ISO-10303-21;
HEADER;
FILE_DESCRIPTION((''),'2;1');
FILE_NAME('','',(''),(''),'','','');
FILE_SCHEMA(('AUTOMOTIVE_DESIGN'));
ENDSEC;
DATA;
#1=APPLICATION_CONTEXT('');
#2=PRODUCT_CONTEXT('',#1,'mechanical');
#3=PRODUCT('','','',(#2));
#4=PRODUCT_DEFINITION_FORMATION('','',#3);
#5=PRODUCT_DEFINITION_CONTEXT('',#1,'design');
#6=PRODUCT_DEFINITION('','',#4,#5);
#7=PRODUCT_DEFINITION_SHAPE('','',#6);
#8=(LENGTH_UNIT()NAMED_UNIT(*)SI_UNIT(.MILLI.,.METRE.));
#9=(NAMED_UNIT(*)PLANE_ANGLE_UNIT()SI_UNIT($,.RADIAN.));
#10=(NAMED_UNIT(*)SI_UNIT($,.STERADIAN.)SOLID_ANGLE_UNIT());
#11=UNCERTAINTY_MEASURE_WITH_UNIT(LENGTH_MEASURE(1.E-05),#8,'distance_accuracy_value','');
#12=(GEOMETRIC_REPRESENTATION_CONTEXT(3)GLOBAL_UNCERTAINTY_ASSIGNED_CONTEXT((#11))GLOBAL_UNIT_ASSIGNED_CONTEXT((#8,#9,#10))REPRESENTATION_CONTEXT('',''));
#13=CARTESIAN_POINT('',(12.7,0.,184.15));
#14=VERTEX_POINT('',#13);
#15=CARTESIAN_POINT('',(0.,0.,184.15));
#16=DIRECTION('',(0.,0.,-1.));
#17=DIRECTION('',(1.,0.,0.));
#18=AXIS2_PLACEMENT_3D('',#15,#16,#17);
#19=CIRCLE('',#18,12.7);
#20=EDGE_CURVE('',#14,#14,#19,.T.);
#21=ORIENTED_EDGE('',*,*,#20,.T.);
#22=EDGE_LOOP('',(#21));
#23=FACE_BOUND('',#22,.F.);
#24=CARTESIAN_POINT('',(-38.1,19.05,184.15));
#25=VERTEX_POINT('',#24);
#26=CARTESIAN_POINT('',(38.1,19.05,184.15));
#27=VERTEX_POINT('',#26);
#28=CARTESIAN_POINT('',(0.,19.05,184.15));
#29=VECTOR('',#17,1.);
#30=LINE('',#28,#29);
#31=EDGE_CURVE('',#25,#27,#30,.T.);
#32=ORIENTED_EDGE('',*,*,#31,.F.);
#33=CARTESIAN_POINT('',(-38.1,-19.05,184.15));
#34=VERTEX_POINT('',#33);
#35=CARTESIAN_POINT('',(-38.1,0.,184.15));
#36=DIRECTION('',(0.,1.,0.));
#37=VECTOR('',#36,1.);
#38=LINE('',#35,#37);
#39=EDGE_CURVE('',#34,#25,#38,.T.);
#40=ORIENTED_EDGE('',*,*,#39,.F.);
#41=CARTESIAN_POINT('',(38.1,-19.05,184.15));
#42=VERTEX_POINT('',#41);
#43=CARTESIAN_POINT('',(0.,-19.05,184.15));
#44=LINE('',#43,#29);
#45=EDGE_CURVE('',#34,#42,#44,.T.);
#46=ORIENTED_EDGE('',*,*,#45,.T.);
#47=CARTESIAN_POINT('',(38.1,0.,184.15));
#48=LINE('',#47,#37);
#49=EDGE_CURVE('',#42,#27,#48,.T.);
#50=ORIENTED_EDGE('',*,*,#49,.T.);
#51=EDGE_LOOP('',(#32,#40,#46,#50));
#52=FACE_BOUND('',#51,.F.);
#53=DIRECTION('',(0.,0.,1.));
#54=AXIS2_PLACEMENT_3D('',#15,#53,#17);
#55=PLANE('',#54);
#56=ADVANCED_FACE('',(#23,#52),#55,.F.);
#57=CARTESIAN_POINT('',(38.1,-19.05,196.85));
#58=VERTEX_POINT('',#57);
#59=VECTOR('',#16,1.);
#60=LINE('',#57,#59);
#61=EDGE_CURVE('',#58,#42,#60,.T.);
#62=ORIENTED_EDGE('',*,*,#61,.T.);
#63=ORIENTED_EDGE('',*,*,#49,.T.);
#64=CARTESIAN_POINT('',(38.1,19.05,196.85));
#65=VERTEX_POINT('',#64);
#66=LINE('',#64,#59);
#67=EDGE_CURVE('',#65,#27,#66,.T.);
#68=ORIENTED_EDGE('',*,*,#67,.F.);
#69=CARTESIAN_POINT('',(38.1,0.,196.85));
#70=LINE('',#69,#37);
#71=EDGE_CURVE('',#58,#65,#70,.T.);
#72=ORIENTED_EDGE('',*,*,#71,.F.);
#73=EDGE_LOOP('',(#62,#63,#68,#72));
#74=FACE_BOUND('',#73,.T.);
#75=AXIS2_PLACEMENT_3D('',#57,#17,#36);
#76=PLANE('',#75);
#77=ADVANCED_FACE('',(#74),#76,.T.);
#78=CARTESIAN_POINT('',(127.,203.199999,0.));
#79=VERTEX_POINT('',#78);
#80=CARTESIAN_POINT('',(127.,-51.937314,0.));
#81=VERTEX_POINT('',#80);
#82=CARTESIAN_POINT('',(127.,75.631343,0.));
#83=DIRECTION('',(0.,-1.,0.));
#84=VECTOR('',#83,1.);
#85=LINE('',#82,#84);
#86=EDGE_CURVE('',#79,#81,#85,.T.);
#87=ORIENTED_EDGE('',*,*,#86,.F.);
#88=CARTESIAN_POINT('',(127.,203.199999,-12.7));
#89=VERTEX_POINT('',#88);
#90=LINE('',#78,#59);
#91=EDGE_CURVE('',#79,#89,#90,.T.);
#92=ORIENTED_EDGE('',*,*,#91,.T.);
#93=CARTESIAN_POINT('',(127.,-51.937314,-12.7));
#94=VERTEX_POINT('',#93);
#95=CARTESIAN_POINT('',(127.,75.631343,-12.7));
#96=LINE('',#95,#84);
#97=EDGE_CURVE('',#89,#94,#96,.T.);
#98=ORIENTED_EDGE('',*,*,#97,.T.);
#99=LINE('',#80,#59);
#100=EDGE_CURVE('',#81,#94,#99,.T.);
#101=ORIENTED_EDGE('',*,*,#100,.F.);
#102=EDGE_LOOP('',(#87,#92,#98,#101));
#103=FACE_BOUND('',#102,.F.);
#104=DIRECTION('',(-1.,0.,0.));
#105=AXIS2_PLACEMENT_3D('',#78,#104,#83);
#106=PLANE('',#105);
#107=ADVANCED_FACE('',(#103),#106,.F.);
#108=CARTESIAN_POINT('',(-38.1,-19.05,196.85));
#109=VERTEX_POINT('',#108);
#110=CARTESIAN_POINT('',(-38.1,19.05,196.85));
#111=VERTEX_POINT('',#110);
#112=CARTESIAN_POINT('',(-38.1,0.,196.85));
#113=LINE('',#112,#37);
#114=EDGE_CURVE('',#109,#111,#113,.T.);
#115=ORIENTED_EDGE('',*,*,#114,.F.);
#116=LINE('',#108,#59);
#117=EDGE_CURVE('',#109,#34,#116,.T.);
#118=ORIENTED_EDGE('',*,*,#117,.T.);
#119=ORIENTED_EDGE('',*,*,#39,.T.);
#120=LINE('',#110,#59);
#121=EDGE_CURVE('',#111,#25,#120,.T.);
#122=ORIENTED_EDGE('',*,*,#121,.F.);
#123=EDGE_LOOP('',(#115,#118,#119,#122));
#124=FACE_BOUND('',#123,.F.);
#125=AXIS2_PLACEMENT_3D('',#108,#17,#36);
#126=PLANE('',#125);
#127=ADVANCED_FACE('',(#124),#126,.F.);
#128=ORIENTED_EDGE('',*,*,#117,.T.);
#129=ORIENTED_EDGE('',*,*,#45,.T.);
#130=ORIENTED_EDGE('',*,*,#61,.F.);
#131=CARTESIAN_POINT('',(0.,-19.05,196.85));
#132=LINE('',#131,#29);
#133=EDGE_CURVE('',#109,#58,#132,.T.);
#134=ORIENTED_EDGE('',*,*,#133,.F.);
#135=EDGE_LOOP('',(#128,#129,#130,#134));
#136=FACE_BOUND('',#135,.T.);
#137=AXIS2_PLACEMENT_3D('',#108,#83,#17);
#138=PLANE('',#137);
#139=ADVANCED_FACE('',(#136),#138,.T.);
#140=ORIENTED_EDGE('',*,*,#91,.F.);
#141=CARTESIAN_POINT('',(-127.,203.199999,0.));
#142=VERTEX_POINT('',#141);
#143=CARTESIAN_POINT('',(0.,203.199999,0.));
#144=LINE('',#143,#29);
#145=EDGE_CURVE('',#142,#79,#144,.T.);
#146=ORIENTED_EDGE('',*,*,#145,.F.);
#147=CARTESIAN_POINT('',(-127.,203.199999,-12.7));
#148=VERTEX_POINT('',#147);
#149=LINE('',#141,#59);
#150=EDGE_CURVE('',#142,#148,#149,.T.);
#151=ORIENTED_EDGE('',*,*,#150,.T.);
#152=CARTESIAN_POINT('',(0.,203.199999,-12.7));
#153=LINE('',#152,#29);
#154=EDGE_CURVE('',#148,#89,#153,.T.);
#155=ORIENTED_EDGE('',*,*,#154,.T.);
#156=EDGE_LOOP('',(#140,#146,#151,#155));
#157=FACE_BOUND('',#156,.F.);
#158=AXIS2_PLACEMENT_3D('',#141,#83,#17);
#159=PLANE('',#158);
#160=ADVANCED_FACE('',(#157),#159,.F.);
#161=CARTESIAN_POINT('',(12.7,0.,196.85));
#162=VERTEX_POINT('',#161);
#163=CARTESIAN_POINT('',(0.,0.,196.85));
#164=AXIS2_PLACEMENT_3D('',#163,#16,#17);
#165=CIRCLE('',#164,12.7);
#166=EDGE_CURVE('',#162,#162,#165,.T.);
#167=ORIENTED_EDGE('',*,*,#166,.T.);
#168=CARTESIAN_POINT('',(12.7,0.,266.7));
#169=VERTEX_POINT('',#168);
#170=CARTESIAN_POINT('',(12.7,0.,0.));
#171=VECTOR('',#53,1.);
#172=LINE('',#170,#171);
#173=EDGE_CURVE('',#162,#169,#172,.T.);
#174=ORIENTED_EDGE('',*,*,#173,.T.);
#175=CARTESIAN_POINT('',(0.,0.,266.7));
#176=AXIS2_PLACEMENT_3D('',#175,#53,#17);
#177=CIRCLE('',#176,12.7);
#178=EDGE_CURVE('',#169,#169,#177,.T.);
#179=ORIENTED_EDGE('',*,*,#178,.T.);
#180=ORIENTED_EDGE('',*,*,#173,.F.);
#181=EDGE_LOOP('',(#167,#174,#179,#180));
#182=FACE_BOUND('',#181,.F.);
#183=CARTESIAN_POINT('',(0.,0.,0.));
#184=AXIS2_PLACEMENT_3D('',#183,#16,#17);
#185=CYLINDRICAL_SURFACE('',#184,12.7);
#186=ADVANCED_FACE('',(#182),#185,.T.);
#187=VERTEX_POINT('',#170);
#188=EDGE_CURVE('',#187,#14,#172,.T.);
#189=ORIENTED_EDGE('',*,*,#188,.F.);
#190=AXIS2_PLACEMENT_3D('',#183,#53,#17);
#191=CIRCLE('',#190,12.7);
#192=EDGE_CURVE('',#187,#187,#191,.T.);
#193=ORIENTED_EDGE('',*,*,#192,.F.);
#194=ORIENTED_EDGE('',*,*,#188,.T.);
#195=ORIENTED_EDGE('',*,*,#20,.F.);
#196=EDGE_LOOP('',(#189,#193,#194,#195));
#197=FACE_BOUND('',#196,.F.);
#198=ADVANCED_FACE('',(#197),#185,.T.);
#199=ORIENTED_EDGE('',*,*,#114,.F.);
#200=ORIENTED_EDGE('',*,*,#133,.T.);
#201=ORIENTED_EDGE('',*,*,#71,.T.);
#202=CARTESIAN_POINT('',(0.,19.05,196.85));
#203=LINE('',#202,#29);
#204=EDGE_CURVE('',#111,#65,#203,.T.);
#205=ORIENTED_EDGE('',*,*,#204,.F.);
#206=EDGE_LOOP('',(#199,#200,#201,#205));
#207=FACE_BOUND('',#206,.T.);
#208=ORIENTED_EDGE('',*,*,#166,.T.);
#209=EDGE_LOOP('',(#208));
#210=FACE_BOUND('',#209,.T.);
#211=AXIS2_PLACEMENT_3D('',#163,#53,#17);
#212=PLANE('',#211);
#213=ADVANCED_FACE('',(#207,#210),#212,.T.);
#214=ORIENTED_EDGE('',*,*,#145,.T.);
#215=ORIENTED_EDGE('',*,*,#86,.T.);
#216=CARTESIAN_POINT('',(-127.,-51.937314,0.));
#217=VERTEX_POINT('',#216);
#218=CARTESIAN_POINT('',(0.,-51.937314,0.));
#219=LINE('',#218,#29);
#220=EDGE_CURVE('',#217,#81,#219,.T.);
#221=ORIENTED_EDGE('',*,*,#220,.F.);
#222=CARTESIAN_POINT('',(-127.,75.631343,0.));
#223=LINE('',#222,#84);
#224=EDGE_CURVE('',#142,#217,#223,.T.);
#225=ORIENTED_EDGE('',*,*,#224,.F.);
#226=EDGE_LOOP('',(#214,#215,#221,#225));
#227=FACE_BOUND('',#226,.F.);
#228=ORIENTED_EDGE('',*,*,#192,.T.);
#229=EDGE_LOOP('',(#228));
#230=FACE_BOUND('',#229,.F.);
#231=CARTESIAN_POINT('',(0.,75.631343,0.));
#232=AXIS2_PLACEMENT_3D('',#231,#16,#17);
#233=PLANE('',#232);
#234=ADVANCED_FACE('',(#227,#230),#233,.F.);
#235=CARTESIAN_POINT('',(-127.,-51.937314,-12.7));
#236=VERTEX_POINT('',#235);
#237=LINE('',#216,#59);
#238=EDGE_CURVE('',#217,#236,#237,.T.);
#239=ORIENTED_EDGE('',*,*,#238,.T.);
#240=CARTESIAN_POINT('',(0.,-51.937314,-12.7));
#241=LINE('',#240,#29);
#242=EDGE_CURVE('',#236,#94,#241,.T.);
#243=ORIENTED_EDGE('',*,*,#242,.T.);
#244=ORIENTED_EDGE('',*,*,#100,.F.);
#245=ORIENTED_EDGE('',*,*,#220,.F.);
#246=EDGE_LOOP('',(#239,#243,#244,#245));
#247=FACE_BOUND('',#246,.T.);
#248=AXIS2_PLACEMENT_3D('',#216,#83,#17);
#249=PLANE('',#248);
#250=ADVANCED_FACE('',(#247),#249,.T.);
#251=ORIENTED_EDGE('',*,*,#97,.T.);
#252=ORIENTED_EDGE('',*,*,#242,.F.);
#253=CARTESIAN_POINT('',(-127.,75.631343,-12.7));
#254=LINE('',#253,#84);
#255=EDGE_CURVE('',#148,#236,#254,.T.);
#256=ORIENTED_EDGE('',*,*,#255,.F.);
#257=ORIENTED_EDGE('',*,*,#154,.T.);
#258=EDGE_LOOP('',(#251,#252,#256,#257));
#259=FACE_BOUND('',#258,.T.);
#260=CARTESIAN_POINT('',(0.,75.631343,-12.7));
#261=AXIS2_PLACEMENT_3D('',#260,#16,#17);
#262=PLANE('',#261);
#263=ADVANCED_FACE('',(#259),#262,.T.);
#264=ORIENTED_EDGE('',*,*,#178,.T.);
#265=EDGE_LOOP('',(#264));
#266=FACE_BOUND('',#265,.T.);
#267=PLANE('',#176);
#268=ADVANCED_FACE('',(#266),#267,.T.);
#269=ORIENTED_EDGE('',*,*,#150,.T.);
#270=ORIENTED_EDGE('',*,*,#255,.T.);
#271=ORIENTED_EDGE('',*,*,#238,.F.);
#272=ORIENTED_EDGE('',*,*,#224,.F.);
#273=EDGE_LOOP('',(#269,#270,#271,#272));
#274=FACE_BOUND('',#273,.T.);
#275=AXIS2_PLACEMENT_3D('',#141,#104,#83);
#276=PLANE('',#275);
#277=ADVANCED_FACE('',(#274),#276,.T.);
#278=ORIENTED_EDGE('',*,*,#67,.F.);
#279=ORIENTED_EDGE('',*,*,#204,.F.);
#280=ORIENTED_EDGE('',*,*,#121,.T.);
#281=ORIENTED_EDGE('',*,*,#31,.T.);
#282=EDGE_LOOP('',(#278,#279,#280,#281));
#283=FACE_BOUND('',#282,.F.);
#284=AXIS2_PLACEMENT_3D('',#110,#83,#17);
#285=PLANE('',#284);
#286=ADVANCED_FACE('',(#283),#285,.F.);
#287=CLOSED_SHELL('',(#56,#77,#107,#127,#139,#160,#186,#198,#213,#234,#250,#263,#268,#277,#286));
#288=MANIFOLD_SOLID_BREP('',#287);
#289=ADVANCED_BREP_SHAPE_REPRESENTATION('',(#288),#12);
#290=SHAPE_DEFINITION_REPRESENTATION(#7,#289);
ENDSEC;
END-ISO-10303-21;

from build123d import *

# Parameters (mm, degrees)
F0_R     = 12.7
F1_DEPTH = 266.7
F3_W     = 76.2
F3_H     = 38.1
F4_DEPTH = 12.7
F5_W     = 254
F5_H     = 255.137313
F6_DEPTH = 12.7


with BuildPart() as f1:
    # F0 (on Top) → F1 (new body)
    with BuildSketch(Plane.XY):
        Circle(F0_R)
    extrude(amount=F1_DEPTH)

    # F3 (on offset) → F4 (join)
    with BuildSketch(Plane.XY.offset(196.85)):
        Rectangle(F3_W, F3_H)
    extrude(amount=-F4_DEPTH)

    # F5 (on face) → F6 (join)
    with BuildSketch(Plane(origin=(0, 0, 0), x_dir=(1, 0, 0), z_dir=(0, 0, -1))):
        with Locations((0, -75.631343)):
            Rectangle(F5_W, F5_H)
    extrude(amount=F6_DEPTH)


solid = f1.part
